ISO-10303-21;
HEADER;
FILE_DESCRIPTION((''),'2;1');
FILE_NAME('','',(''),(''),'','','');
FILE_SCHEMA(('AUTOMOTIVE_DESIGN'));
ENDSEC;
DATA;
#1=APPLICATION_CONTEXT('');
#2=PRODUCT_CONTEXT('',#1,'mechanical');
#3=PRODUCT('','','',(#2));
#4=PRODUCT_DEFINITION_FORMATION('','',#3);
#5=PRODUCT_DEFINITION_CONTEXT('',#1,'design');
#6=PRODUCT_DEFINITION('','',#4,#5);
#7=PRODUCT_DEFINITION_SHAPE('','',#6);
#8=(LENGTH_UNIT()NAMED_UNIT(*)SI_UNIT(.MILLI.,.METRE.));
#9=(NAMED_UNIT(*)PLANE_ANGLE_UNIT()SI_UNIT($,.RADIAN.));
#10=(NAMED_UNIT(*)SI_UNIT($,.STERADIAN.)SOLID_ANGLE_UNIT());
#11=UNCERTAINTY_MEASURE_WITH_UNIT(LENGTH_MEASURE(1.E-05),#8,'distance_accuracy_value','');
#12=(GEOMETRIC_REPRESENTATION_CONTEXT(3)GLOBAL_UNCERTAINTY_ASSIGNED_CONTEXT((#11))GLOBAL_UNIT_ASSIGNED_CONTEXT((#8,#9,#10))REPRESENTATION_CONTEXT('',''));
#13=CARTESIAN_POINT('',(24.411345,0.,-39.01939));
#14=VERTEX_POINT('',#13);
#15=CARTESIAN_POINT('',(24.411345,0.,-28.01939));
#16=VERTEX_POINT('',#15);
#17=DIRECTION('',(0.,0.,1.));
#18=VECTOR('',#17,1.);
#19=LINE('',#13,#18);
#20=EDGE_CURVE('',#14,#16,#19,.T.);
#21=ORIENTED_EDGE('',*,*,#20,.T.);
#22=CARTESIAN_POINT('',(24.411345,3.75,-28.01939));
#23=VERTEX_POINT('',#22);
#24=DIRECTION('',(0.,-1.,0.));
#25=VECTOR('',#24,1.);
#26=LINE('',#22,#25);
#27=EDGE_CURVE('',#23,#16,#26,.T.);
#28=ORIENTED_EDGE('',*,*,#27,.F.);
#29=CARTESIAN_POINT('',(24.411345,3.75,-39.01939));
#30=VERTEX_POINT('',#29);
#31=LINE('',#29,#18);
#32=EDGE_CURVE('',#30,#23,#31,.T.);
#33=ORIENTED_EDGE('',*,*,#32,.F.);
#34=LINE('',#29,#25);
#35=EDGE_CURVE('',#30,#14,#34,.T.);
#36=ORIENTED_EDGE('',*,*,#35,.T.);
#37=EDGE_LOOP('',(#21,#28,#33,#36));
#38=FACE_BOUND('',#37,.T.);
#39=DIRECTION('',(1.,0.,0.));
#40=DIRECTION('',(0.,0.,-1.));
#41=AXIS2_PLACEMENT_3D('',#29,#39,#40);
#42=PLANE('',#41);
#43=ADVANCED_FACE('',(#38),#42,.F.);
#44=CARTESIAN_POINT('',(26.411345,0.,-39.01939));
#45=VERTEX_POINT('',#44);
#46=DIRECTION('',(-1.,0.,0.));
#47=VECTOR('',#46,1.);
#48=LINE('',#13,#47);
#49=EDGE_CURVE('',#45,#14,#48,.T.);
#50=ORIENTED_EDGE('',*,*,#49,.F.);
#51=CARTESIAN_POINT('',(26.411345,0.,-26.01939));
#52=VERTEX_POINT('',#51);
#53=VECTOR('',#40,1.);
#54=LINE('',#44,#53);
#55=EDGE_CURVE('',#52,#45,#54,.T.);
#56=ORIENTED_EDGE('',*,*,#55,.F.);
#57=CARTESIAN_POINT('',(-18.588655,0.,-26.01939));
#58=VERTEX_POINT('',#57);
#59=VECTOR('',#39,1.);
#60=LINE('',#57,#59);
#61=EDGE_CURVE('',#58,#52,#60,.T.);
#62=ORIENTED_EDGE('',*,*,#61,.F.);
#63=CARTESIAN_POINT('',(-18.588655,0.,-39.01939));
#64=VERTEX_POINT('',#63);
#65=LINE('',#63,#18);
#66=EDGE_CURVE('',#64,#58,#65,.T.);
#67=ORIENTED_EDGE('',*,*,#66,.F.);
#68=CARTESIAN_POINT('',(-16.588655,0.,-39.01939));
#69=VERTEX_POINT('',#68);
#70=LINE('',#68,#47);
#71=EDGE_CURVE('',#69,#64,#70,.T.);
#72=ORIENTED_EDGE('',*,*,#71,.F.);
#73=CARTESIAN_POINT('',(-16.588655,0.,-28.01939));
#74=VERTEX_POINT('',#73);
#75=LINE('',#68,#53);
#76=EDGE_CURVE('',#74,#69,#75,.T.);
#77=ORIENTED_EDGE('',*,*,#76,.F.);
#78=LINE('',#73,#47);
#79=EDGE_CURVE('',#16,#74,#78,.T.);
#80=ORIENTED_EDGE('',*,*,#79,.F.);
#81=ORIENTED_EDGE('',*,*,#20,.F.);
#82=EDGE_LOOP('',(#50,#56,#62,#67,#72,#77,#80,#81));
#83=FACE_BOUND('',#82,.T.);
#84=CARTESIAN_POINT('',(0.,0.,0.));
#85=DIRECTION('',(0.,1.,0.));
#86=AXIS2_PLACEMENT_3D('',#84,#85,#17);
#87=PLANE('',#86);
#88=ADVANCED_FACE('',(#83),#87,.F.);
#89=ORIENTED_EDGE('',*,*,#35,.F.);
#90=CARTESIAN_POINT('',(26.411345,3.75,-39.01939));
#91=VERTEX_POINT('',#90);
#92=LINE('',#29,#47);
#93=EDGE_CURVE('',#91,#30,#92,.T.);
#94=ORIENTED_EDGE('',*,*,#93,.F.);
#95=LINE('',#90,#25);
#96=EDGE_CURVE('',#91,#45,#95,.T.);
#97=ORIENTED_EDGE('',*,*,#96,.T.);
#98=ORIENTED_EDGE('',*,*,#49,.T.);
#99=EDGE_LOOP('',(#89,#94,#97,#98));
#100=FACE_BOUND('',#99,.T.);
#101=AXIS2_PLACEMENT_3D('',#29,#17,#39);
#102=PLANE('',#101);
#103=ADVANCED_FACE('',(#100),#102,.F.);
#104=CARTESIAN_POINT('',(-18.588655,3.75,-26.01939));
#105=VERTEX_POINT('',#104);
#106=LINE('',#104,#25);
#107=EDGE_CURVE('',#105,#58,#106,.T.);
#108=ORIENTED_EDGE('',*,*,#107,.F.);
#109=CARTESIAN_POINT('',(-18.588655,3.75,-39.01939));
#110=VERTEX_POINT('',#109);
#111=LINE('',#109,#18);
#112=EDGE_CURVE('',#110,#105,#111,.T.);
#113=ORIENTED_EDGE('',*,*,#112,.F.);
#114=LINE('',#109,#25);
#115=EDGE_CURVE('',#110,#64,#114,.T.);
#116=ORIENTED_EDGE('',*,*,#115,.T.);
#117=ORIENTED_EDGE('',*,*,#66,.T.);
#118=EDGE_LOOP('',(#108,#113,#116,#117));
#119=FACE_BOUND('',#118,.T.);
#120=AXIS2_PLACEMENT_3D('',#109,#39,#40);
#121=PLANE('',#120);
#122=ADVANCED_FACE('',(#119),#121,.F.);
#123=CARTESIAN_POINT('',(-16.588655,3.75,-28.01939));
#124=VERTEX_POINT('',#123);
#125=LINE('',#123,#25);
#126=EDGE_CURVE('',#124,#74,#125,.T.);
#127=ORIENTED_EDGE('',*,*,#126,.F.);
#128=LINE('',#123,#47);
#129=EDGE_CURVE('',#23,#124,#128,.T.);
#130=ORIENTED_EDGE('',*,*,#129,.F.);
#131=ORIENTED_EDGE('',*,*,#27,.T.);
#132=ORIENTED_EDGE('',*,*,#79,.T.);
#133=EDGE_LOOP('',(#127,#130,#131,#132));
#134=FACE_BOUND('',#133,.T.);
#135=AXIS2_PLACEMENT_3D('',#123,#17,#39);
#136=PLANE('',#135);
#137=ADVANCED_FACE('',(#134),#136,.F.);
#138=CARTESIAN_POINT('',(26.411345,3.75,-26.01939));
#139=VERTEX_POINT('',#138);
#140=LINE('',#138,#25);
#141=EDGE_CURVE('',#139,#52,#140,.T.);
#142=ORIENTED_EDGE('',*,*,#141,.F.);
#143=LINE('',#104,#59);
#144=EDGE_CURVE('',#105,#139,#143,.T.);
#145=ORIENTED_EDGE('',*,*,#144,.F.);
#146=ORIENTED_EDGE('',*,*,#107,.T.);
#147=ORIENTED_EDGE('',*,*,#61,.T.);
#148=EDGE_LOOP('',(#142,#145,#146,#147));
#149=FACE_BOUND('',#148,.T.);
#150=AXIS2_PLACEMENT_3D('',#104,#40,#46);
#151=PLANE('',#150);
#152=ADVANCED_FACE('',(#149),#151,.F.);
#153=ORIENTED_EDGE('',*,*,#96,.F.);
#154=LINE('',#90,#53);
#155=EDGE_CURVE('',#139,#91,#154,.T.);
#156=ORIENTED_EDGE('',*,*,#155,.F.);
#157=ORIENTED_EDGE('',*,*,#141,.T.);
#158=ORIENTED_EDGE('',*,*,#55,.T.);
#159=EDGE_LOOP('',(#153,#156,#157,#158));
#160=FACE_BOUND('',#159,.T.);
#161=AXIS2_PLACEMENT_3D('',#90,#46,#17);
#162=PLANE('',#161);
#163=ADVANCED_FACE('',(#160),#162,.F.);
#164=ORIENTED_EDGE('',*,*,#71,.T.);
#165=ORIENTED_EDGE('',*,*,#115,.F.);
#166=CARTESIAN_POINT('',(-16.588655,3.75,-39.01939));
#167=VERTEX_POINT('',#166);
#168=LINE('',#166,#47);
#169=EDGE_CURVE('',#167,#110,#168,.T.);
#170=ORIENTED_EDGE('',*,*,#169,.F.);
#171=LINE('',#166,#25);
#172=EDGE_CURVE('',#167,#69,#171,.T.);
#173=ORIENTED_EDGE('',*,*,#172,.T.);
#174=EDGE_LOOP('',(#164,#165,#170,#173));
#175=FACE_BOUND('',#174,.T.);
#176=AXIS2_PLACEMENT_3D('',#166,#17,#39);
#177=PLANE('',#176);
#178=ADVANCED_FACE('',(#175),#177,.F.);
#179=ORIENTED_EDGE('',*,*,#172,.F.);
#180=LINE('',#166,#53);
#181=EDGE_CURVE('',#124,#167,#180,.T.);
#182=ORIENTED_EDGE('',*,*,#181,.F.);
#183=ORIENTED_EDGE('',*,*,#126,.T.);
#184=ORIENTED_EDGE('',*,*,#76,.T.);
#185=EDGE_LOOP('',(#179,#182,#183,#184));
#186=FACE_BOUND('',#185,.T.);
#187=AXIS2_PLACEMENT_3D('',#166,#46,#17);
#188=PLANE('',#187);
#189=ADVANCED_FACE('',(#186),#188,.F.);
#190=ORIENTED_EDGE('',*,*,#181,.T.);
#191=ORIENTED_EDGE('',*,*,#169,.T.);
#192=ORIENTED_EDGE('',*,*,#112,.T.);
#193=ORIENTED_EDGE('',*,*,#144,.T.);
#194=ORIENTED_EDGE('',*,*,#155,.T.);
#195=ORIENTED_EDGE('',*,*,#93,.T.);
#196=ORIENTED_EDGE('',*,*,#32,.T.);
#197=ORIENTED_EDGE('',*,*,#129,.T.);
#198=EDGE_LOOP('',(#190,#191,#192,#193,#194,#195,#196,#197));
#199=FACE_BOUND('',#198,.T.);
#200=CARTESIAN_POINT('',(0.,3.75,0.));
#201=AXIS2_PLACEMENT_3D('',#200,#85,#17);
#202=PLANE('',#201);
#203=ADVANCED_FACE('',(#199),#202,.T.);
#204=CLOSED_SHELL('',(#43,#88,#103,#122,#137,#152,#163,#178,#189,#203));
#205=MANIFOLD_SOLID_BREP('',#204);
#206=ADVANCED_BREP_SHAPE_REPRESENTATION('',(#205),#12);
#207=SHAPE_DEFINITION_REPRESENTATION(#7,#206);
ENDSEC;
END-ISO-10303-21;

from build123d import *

# Parameters (mm, degrees)
BOSS_EXTRUDE1_DEPTH = 3.75


with BuildPart() as part:
    # Sketch1 → Boss-Extrude1 (new body)
    with BuildSketch(Plane(origin=(0, 0, 0), x_dir=(1, 0, 0), z_dir=(0, 1, 0))):
        Polygon((-16.58865484, 39.01939005), (-16.58865484, 28.01939005), (24.41134516, 28.01939005), (24.41134516, 39.01939005), (26.41134516, 39.01939005), (26.41134516, 26.01939005), (-18.58865484, 26.01939005), (-18.58865484, 39.01939005), align=None)
    extrude(amount=BOSS_EXTRUDE1_DEPTH)


solid = part.part
